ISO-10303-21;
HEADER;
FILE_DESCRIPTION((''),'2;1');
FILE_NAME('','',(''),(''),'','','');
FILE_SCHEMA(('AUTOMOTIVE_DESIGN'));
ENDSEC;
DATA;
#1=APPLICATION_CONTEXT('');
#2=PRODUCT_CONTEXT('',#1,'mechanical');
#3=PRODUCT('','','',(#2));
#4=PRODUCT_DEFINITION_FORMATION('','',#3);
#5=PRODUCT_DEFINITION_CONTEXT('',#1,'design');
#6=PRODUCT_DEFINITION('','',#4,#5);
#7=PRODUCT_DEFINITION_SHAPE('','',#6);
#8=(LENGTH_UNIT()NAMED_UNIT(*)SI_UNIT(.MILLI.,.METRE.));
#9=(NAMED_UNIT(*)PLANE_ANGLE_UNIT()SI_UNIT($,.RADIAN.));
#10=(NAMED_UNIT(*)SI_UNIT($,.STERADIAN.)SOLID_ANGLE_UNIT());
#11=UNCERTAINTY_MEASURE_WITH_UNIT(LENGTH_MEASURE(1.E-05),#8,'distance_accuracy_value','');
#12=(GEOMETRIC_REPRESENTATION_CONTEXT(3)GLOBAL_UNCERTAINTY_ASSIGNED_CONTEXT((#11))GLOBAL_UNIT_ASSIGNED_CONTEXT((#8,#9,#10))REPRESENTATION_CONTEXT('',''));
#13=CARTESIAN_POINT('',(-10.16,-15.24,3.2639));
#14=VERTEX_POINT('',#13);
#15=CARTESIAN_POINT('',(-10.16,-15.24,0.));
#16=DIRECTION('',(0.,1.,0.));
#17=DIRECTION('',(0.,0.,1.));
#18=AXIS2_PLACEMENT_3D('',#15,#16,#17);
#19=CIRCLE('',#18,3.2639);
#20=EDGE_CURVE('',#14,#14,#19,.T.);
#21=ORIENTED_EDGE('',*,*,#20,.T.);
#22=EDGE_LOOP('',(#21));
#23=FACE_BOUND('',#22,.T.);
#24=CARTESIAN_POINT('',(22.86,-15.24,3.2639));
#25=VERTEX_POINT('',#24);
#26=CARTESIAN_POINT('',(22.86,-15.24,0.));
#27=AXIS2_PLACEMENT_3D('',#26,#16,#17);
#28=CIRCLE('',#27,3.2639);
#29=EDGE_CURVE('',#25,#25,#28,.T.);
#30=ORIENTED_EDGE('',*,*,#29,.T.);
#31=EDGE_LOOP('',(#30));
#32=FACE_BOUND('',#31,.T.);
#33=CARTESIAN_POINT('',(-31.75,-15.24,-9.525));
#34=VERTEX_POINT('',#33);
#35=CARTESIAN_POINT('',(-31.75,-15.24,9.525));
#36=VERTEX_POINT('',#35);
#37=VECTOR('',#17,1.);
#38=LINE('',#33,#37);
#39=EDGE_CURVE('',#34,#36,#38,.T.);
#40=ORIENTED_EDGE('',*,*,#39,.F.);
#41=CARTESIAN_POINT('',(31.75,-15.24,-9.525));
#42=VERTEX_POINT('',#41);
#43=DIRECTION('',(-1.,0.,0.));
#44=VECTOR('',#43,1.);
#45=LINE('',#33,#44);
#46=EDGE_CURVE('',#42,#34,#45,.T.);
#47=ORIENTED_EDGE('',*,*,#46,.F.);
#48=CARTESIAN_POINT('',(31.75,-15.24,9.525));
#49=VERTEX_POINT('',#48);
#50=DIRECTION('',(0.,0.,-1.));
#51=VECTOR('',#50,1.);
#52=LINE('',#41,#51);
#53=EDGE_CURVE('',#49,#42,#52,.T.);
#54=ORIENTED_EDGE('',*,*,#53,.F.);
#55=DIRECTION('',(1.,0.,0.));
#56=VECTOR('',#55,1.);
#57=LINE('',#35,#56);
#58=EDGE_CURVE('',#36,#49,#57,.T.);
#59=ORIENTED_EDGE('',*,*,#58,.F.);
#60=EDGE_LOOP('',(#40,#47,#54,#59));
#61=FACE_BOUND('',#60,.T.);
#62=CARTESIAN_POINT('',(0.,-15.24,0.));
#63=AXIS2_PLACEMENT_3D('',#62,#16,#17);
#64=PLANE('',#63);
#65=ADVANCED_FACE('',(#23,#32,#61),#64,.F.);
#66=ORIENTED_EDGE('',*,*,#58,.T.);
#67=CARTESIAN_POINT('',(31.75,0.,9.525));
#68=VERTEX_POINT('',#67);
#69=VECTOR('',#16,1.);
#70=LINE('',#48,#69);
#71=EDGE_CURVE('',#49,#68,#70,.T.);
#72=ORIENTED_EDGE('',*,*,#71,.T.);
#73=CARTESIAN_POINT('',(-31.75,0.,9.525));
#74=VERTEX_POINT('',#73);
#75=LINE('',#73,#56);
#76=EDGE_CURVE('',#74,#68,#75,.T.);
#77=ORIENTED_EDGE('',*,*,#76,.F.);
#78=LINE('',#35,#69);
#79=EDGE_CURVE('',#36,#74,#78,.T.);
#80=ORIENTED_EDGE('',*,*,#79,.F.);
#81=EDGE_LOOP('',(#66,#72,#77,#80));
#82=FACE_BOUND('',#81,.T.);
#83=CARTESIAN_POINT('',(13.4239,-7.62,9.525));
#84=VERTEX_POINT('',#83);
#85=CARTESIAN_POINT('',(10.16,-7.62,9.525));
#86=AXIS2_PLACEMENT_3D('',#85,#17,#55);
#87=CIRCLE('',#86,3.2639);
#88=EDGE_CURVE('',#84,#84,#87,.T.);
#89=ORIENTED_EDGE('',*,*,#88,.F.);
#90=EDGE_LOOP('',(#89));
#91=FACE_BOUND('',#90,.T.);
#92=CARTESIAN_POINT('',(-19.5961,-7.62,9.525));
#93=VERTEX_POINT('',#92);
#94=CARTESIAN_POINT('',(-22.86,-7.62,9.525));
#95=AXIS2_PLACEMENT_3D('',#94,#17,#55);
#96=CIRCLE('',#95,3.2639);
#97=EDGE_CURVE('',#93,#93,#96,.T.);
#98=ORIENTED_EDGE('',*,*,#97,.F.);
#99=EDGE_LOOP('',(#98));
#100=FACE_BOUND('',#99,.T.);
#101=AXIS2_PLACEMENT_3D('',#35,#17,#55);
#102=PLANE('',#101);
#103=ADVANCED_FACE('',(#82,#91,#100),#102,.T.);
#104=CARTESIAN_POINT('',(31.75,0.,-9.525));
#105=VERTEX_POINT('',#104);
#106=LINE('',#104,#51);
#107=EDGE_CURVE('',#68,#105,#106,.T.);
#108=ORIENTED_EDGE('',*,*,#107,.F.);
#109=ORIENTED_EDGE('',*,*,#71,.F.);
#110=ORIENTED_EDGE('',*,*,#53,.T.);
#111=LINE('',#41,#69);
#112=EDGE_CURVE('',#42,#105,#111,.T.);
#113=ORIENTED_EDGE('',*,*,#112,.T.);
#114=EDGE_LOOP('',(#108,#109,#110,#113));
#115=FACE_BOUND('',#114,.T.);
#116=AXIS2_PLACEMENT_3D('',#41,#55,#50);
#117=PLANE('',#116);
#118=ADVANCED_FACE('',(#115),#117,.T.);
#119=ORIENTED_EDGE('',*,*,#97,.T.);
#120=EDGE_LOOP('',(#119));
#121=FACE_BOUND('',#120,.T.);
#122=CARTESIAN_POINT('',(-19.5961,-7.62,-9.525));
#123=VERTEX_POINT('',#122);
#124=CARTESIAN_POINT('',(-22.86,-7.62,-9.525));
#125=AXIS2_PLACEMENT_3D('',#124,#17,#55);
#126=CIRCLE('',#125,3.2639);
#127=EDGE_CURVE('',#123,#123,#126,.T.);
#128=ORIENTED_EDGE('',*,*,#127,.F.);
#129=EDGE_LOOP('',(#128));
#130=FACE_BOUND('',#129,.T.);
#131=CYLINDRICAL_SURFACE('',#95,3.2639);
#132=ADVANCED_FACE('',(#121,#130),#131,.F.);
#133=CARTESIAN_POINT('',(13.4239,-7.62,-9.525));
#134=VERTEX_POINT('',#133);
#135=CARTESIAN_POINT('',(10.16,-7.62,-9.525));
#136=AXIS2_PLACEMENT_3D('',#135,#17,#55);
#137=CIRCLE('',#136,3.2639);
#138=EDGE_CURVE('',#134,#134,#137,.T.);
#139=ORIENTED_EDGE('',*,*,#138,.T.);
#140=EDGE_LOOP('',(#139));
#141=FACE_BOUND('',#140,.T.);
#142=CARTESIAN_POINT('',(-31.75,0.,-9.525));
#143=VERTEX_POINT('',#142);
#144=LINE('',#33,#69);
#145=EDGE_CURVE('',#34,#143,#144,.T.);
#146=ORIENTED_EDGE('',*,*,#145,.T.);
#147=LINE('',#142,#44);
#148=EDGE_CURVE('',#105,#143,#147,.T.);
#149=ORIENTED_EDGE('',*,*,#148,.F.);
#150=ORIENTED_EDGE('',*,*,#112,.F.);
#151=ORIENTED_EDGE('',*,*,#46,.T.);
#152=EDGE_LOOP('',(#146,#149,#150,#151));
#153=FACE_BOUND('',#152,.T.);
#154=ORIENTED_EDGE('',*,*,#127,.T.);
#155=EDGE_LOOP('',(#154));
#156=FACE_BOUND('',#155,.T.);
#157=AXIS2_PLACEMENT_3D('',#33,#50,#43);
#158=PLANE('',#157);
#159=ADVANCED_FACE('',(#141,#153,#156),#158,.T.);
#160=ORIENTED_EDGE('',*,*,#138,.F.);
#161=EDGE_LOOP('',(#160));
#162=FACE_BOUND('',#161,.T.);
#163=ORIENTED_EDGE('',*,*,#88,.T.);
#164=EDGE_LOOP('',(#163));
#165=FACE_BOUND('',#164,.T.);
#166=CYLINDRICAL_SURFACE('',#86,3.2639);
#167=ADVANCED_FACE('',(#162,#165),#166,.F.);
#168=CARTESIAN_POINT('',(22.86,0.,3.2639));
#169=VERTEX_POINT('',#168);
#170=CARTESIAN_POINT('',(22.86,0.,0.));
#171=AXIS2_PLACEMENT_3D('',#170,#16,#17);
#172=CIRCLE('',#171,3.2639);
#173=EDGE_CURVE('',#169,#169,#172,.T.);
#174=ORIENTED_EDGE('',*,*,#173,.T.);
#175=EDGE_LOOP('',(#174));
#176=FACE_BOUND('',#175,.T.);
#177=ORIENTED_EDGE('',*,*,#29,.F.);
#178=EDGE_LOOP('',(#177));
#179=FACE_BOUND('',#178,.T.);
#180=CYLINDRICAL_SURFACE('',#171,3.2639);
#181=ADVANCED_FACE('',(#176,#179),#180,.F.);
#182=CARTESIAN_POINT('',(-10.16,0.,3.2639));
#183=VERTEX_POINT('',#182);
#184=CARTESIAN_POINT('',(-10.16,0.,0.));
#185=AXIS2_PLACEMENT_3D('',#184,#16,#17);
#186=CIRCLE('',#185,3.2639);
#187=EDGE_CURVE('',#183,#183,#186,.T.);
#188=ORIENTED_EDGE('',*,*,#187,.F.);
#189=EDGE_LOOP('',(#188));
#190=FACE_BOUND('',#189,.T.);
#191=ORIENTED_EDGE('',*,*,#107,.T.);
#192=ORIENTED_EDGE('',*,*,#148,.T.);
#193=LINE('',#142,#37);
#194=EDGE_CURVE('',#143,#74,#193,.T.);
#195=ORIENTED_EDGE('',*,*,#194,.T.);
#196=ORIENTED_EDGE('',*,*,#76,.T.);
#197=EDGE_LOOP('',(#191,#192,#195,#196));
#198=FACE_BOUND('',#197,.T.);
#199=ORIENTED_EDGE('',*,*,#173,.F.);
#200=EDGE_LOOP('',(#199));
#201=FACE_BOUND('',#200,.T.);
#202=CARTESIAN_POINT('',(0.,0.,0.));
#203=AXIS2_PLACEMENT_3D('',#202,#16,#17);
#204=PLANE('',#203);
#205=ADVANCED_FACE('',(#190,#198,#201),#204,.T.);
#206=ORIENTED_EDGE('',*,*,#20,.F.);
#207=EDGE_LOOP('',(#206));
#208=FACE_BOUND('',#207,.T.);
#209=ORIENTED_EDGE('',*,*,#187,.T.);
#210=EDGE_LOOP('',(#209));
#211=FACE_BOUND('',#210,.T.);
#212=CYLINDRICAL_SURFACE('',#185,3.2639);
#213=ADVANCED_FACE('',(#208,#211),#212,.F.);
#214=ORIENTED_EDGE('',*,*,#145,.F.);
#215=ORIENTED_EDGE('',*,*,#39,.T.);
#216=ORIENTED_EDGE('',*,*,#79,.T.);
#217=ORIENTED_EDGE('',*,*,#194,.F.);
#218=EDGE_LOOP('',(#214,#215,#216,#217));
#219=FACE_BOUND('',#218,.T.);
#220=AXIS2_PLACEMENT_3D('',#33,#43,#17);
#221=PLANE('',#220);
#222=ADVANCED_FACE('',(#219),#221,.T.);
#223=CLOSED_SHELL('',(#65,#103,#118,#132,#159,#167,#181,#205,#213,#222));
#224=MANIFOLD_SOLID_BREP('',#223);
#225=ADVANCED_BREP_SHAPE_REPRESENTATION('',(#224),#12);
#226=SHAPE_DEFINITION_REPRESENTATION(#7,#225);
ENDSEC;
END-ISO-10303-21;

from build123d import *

# Parameters (mm, degrees)
SKETCH2_W               = 63.5
SKETCH2_H               = 19.05
BOSS_EXTRUDE1_DEPTH     = 15.24
F_1_4_CLEARANCE_HOLE2_D = 6.5278
F_1_4_CLEARANCE_HOLE3_D = 6.5278


with BuildPart() as part:
    # Sketch2 → Boss-Extrude1 (new body)
    with BuildSketch(Plane(origin=(0, 0, 0), x_dir=(1, 0, 0), z_dir=(0, 1, 0))):
        Rectangle(SKETCH2_W, SKETCH2_H)
    extrude(amount=-BOSS_EXTRUDE1_DEPTH)

    # 1/4 Clearance Hole2 (through all)
    with Locations(Plane.XY.offset(9.525)):
        with Locations((-22.86, -7.62), (10.16, -7.62)):
            Hole(F_1_4_CLEARANCE_HOLE2_D / 2)

    # 1/4 Clearance Hole3 (through all)
    with Locations(Plane(origin=(0, 0, 0), x_dir=(1, 0, 0), z_dir=(0, 1, 0))):
        with Locations((-10.16, 0), (22.86, 0)):
            Hole(F_1_4_CLEARANCE_HOLE3_D / 2)


solid = part.part
